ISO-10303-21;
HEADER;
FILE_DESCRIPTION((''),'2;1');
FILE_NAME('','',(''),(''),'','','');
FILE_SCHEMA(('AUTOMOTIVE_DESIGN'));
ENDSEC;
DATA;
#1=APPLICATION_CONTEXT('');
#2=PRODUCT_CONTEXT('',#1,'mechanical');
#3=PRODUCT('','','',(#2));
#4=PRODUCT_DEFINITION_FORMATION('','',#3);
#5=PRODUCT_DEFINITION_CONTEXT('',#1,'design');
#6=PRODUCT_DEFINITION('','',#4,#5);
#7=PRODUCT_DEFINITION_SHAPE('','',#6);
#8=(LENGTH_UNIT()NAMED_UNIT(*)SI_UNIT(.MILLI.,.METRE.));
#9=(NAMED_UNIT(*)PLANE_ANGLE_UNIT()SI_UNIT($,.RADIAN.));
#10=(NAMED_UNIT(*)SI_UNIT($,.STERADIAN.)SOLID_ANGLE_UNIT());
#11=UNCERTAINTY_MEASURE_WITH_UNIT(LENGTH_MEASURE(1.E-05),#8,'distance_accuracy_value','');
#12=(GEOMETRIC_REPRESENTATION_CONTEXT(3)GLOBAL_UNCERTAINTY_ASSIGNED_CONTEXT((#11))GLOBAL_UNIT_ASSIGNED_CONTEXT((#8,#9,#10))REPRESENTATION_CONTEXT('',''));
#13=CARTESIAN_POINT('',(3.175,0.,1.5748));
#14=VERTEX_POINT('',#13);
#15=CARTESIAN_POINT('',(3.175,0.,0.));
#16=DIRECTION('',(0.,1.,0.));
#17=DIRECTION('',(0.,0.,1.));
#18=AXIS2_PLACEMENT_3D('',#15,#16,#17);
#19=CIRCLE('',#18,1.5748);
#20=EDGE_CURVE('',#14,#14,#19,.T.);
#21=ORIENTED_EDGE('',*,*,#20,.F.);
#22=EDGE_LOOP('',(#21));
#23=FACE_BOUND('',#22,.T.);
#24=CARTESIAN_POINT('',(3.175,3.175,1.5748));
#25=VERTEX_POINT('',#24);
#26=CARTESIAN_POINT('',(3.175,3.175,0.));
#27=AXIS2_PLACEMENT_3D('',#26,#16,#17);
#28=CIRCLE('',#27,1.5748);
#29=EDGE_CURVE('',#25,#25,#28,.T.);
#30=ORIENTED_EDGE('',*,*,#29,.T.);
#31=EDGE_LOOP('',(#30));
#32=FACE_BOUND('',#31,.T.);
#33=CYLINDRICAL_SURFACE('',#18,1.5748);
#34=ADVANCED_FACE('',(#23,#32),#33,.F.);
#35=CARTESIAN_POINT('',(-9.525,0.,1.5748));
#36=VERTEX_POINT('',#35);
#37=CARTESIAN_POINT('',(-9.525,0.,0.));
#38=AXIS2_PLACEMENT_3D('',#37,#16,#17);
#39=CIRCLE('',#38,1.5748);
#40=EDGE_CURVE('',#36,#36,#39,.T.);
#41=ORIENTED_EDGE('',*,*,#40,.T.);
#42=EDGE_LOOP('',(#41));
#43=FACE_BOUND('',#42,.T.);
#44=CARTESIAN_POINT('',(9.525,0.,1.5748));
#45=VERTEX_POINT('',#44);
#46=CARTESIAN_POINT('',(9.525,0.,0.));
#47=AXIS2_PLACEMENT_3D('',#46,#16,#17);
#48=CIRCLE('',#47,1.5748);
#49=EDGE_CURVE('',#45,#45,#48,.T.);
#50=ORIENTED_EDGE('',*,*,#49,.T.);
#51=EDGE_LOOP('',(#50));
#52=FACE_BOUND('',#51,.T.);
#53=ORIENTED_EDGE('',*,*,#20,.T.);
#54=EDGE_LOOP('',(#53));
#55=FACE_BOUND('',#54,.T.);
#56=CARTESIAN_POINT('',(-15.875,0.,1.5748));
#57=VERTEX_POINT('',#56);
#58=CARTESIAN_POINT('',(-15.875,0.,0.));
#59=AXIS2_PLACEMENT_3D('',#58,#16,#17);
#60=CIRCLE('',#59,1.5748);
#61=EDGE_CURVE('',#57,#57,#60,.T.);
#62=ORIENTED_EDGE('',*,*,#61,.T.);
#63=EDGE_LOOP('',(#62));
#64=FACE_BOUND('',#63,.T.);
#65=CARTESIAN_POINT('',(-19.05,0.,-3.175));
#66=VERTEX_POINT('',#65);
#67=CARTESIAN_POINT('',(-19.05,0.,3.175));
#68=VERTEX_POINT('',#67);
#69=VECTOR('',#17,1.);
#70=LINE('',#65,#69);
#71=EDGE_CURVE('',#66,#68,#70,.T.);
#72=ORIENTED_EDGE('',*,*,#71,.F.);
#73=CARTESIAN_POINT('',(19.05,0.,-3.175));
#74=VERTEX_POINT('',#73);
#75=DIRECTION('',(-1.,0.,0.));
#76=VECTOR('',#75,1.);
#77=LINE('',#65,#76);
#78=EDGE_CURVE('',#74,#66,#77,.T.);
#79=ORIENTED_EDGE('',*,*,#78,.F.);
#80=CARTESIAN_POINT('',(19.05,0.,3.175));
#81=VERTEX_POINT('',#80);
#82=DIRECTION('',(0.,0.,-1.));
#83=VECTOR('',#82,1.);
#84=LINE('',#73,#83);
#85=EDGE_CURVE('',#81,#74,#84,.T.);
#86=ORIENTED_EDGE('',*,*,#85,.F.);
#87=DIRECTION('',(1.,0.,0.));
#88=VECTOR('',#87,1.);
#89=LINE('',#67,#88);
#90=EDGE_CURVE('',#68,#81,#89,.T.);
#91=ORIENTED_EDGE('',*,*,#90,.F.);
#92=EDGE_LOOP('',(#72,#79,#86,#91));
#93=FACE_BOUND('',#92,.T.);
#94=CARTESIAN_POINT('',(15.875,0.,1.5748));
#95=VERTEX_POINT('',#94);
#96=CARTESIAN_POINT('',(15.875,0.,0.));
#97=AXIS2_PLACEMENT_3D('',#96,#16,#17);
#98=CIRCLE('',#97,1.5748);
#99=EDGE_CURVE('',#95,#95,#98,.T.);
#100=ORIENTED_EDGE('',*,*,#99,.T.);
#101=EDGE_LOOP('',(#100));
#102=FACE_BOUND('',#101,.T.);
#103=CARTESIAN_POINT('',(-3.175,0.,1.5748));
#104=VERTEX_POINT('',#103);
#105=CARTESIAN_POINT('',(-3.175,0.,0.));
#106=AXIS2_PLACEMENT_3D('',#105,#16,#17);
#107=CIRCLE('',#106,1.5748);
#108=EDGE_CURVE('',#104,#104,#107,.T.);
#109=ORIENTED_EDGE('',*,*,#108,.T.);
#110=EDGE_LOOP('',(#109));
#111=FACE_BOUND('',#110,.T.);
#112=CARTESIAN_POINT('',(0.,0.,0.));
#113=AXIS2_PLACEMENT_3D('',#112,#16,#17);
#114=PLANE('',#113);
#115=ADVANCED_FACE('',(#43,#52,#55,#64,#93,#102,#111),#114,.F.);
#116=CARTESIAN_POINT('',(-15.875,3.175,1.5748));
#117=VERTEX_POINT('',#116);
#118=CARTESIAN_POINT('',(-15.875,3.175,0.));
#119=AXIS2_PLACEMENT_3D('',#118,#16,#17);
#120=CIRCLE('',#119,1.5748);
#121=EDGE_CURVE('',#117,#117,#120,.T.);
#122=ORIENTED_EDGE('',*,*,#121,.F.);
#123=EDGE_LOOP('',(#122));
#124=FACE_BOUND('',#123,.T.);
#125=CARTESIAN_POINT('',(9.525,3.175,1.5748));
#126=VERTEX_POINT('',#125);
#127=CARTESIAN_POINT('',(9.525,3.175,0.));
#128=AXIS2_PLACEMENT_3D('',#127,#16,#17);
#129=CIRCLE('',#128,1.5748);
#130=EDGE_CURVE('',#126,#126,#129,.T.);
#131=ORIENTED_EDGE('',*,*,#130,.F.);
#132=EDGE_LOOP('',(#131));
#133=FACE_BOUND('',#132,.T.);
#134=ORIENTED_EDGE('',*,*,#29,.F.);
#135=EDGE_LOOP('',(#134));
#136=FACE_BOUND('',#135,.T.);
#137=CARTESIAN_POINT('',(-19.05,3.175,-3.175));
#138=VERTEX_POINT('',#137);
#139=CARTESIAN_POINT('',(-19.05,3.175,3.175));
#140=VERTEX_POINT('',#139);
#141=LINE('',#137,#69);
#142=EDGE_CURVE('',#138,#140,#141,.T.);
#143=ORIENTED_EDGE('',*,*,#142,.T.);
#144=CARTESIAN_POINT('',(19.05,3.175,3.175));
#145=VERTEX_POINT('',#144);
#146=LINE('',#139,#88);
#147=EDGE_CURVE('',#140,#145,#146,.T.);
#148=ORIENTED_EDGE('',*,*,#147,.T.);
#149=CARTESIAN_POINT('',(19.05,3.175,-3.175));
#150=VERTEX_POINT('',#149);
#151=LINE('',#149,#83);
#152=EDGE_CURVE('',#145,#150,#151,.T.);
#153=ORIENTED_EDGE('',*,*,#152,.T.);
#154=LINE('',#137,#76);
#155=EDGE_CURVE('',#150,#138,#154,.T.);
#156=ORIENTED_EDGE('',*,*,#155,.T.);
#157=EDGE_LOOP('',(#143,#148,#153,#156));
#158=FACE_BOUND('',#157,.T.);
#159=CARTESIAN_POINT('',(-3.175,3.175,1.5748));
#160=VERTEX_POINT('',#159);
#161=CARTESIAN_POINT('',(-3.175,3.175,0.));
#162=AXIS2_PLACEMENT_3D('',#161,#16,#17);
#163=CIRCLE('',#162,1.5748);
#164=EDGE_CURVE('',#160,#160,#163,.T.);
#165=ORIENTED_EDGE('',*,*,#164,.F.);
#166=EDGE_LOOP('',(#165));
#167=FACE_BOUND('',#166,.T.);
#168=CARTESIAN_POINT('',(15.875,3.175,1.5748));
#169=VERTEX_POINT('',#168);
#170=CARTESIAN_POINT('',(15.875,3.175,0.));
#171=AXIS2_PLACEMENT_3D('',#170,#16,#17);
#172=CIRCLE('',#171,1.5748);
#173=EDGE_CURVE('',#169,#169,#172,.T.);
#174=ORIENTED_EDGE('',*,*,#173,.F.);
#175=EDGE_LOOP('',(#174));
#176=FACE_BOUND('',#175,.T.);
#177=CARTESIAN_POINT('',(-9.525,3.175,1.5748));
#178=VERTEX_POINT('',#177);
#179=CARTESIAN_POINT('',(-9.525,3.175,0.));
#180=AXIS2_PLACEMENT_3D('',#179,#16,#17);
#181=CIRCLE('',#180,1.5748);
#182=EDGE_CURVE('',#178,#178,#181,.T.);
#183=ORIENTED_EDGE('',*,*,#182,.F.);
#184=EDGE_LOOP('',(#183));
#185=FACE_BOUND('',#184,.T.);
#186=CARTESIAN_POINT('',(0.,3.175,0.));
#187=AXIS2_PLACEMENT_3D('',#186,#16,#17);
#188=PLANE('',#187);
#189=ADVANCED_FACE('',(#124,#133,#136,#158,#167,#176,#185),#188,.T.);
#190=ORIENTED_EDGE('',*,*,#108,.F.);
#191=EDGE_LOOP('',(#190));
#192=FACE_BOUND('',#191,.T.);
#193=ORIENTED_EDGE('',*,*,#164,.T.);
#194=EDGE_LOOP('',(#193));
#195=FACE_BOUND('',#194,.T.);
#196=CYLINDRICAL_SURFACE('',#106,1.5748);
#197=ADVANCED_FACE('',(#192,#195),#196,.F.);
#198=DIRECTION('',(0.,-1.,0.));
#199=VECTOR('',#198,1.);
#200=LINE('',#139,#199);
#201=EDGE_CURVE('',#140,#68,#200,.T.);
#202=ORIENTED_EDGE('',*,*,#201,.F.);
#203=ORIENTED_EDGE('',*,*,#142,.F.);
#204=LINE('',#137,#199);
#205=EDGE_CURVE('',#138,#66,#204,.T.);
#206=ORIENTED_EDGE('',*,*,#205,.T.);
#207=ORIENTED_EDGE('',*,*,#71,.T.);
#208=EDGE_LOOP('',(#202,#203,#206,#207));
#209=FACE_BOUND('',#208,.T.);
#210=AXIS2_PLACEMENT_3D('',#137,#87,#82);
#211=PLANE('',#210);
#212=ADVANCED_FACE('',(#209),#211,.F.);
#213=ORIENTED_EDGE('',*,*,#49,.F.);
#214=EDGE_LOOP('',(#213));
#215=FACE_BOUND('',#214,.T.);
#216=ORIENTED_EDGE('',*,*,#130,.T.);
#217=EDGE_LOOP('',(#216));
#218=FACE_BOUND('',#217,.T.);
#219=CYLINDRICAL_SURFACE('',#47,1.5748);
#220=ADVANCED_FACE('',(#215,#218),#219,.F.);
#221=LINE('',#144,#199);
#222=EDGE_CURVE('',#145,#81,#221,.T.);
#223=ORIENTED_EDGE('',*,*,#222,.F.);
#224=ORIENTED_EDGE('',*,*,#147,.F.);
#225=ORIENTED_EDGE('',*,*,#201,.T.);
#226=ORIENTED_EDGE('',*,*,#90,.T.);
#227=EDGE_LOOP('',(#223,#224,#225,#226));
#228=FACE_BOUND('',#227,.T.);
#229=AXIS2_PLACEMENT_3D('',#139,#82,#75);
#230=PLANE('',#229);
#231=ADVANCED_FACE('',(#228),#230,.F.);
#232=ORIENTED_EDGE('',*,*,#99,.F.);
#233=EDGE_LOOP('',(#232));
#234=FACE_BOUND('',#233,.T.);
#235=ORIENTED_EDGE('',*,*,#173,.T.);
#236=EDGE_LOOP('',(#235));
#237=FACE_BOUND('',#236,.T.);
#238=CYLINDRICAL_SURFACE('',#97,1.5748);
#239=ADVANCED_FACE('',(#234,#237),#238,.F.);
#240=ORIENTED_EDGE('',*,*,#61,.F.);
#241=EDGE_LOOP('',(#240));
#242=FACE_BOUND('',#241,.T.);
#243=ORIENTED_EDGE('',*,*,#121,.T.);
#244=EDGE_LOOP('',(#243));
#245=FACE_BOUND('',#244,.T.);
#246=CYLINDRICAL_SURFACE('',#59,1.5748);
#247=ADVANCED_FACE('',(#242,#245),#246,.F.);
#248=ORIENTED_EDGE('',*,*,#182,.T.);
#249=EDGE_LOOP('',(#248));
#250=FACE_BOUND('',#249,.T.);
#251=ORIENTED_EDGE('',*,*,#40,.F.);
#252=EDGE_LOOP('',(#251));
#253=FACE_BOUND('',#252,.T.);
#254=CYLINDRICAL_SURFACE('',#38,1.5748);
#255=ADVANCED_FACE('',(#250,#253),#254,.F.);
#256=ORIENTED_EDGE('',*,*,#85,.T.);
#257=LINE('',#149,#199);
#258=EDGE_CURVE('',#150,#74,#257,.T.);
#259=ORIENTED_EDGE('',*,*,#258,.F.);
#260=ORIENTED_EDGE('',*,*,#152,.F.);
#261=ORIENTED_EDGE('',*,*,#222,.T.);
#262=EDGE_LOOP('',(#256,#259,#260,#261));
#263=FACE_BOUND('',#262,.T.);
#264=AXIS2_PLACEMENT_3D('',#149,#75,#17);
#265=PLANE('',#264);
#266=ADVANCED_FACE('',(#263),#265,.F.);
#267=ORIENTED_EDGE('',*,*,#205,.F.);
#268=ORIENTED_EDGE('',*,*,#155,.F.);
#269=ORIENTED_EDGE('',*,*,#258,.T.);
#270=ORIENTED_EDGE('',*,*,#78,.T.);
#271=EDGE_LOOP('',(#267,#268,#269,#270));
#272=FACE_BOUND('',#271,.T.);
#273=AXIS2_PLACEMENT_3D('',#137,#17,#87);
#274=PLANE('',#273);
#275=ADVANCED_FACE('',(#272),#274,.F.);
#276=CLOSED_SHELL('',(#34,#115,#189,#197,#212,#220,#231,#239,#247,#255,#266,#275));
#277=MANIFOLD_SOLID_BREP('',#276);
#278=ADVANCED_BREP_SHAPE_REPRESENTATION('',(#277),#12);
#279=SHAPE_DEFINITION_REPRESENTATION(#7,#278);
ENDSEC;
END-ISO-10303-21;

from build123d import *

# Parameters (mm, degrees)
SKETCH1_W           = 38.1
SKETCH1_H           = 6.35
BOSS_EXTRUDE1_DEPTH = 3.175
SKETCH2_R           = 1.5748
CUT_EXTRUDE1_DEPTH  = 4.175
LPATTERN1_COUNT     = 6
LPATTERN1_PITCH     = 6.35


with BuildPart() as part:
    # Sketch1 → Boss-Extrude1 (new body)
    with BuildSketch(Plane(origin=(0, 0, 0), x_dir=(1, 0, 0), z_dir=(0, 1, 0))):
        Rectangle(SKETCH1_W, SKETCH1_H)
    extrude(amount=BOSS_EXTRUDE1_DEPTH)

    # Sketch2 → Cut-Extrude1 (cut, through all)
    with BuildSketch(Plane(origin=(0, 3.175, 0), x_dir=(1, 0, 0), z_dir=(0, 1, 0))):
        with Locations((15.875, 0)):
            Circle(SKETCH2_R)
    cut_extrude1 = extrude(amount=-CUT_EXTRUDE1_DEPTH, mode=Mode.SUBTRACT)

    # LPattern1: Cut-Extrude1 ×6
    with Locations(*[(-i * LPATTERN1_PITCH, 0, 0) for i in range(1, LPATTERN1_COUNT)]):
        add(cut_extrude1, mode=Mode.SUBTRACT)


solid = part.part
